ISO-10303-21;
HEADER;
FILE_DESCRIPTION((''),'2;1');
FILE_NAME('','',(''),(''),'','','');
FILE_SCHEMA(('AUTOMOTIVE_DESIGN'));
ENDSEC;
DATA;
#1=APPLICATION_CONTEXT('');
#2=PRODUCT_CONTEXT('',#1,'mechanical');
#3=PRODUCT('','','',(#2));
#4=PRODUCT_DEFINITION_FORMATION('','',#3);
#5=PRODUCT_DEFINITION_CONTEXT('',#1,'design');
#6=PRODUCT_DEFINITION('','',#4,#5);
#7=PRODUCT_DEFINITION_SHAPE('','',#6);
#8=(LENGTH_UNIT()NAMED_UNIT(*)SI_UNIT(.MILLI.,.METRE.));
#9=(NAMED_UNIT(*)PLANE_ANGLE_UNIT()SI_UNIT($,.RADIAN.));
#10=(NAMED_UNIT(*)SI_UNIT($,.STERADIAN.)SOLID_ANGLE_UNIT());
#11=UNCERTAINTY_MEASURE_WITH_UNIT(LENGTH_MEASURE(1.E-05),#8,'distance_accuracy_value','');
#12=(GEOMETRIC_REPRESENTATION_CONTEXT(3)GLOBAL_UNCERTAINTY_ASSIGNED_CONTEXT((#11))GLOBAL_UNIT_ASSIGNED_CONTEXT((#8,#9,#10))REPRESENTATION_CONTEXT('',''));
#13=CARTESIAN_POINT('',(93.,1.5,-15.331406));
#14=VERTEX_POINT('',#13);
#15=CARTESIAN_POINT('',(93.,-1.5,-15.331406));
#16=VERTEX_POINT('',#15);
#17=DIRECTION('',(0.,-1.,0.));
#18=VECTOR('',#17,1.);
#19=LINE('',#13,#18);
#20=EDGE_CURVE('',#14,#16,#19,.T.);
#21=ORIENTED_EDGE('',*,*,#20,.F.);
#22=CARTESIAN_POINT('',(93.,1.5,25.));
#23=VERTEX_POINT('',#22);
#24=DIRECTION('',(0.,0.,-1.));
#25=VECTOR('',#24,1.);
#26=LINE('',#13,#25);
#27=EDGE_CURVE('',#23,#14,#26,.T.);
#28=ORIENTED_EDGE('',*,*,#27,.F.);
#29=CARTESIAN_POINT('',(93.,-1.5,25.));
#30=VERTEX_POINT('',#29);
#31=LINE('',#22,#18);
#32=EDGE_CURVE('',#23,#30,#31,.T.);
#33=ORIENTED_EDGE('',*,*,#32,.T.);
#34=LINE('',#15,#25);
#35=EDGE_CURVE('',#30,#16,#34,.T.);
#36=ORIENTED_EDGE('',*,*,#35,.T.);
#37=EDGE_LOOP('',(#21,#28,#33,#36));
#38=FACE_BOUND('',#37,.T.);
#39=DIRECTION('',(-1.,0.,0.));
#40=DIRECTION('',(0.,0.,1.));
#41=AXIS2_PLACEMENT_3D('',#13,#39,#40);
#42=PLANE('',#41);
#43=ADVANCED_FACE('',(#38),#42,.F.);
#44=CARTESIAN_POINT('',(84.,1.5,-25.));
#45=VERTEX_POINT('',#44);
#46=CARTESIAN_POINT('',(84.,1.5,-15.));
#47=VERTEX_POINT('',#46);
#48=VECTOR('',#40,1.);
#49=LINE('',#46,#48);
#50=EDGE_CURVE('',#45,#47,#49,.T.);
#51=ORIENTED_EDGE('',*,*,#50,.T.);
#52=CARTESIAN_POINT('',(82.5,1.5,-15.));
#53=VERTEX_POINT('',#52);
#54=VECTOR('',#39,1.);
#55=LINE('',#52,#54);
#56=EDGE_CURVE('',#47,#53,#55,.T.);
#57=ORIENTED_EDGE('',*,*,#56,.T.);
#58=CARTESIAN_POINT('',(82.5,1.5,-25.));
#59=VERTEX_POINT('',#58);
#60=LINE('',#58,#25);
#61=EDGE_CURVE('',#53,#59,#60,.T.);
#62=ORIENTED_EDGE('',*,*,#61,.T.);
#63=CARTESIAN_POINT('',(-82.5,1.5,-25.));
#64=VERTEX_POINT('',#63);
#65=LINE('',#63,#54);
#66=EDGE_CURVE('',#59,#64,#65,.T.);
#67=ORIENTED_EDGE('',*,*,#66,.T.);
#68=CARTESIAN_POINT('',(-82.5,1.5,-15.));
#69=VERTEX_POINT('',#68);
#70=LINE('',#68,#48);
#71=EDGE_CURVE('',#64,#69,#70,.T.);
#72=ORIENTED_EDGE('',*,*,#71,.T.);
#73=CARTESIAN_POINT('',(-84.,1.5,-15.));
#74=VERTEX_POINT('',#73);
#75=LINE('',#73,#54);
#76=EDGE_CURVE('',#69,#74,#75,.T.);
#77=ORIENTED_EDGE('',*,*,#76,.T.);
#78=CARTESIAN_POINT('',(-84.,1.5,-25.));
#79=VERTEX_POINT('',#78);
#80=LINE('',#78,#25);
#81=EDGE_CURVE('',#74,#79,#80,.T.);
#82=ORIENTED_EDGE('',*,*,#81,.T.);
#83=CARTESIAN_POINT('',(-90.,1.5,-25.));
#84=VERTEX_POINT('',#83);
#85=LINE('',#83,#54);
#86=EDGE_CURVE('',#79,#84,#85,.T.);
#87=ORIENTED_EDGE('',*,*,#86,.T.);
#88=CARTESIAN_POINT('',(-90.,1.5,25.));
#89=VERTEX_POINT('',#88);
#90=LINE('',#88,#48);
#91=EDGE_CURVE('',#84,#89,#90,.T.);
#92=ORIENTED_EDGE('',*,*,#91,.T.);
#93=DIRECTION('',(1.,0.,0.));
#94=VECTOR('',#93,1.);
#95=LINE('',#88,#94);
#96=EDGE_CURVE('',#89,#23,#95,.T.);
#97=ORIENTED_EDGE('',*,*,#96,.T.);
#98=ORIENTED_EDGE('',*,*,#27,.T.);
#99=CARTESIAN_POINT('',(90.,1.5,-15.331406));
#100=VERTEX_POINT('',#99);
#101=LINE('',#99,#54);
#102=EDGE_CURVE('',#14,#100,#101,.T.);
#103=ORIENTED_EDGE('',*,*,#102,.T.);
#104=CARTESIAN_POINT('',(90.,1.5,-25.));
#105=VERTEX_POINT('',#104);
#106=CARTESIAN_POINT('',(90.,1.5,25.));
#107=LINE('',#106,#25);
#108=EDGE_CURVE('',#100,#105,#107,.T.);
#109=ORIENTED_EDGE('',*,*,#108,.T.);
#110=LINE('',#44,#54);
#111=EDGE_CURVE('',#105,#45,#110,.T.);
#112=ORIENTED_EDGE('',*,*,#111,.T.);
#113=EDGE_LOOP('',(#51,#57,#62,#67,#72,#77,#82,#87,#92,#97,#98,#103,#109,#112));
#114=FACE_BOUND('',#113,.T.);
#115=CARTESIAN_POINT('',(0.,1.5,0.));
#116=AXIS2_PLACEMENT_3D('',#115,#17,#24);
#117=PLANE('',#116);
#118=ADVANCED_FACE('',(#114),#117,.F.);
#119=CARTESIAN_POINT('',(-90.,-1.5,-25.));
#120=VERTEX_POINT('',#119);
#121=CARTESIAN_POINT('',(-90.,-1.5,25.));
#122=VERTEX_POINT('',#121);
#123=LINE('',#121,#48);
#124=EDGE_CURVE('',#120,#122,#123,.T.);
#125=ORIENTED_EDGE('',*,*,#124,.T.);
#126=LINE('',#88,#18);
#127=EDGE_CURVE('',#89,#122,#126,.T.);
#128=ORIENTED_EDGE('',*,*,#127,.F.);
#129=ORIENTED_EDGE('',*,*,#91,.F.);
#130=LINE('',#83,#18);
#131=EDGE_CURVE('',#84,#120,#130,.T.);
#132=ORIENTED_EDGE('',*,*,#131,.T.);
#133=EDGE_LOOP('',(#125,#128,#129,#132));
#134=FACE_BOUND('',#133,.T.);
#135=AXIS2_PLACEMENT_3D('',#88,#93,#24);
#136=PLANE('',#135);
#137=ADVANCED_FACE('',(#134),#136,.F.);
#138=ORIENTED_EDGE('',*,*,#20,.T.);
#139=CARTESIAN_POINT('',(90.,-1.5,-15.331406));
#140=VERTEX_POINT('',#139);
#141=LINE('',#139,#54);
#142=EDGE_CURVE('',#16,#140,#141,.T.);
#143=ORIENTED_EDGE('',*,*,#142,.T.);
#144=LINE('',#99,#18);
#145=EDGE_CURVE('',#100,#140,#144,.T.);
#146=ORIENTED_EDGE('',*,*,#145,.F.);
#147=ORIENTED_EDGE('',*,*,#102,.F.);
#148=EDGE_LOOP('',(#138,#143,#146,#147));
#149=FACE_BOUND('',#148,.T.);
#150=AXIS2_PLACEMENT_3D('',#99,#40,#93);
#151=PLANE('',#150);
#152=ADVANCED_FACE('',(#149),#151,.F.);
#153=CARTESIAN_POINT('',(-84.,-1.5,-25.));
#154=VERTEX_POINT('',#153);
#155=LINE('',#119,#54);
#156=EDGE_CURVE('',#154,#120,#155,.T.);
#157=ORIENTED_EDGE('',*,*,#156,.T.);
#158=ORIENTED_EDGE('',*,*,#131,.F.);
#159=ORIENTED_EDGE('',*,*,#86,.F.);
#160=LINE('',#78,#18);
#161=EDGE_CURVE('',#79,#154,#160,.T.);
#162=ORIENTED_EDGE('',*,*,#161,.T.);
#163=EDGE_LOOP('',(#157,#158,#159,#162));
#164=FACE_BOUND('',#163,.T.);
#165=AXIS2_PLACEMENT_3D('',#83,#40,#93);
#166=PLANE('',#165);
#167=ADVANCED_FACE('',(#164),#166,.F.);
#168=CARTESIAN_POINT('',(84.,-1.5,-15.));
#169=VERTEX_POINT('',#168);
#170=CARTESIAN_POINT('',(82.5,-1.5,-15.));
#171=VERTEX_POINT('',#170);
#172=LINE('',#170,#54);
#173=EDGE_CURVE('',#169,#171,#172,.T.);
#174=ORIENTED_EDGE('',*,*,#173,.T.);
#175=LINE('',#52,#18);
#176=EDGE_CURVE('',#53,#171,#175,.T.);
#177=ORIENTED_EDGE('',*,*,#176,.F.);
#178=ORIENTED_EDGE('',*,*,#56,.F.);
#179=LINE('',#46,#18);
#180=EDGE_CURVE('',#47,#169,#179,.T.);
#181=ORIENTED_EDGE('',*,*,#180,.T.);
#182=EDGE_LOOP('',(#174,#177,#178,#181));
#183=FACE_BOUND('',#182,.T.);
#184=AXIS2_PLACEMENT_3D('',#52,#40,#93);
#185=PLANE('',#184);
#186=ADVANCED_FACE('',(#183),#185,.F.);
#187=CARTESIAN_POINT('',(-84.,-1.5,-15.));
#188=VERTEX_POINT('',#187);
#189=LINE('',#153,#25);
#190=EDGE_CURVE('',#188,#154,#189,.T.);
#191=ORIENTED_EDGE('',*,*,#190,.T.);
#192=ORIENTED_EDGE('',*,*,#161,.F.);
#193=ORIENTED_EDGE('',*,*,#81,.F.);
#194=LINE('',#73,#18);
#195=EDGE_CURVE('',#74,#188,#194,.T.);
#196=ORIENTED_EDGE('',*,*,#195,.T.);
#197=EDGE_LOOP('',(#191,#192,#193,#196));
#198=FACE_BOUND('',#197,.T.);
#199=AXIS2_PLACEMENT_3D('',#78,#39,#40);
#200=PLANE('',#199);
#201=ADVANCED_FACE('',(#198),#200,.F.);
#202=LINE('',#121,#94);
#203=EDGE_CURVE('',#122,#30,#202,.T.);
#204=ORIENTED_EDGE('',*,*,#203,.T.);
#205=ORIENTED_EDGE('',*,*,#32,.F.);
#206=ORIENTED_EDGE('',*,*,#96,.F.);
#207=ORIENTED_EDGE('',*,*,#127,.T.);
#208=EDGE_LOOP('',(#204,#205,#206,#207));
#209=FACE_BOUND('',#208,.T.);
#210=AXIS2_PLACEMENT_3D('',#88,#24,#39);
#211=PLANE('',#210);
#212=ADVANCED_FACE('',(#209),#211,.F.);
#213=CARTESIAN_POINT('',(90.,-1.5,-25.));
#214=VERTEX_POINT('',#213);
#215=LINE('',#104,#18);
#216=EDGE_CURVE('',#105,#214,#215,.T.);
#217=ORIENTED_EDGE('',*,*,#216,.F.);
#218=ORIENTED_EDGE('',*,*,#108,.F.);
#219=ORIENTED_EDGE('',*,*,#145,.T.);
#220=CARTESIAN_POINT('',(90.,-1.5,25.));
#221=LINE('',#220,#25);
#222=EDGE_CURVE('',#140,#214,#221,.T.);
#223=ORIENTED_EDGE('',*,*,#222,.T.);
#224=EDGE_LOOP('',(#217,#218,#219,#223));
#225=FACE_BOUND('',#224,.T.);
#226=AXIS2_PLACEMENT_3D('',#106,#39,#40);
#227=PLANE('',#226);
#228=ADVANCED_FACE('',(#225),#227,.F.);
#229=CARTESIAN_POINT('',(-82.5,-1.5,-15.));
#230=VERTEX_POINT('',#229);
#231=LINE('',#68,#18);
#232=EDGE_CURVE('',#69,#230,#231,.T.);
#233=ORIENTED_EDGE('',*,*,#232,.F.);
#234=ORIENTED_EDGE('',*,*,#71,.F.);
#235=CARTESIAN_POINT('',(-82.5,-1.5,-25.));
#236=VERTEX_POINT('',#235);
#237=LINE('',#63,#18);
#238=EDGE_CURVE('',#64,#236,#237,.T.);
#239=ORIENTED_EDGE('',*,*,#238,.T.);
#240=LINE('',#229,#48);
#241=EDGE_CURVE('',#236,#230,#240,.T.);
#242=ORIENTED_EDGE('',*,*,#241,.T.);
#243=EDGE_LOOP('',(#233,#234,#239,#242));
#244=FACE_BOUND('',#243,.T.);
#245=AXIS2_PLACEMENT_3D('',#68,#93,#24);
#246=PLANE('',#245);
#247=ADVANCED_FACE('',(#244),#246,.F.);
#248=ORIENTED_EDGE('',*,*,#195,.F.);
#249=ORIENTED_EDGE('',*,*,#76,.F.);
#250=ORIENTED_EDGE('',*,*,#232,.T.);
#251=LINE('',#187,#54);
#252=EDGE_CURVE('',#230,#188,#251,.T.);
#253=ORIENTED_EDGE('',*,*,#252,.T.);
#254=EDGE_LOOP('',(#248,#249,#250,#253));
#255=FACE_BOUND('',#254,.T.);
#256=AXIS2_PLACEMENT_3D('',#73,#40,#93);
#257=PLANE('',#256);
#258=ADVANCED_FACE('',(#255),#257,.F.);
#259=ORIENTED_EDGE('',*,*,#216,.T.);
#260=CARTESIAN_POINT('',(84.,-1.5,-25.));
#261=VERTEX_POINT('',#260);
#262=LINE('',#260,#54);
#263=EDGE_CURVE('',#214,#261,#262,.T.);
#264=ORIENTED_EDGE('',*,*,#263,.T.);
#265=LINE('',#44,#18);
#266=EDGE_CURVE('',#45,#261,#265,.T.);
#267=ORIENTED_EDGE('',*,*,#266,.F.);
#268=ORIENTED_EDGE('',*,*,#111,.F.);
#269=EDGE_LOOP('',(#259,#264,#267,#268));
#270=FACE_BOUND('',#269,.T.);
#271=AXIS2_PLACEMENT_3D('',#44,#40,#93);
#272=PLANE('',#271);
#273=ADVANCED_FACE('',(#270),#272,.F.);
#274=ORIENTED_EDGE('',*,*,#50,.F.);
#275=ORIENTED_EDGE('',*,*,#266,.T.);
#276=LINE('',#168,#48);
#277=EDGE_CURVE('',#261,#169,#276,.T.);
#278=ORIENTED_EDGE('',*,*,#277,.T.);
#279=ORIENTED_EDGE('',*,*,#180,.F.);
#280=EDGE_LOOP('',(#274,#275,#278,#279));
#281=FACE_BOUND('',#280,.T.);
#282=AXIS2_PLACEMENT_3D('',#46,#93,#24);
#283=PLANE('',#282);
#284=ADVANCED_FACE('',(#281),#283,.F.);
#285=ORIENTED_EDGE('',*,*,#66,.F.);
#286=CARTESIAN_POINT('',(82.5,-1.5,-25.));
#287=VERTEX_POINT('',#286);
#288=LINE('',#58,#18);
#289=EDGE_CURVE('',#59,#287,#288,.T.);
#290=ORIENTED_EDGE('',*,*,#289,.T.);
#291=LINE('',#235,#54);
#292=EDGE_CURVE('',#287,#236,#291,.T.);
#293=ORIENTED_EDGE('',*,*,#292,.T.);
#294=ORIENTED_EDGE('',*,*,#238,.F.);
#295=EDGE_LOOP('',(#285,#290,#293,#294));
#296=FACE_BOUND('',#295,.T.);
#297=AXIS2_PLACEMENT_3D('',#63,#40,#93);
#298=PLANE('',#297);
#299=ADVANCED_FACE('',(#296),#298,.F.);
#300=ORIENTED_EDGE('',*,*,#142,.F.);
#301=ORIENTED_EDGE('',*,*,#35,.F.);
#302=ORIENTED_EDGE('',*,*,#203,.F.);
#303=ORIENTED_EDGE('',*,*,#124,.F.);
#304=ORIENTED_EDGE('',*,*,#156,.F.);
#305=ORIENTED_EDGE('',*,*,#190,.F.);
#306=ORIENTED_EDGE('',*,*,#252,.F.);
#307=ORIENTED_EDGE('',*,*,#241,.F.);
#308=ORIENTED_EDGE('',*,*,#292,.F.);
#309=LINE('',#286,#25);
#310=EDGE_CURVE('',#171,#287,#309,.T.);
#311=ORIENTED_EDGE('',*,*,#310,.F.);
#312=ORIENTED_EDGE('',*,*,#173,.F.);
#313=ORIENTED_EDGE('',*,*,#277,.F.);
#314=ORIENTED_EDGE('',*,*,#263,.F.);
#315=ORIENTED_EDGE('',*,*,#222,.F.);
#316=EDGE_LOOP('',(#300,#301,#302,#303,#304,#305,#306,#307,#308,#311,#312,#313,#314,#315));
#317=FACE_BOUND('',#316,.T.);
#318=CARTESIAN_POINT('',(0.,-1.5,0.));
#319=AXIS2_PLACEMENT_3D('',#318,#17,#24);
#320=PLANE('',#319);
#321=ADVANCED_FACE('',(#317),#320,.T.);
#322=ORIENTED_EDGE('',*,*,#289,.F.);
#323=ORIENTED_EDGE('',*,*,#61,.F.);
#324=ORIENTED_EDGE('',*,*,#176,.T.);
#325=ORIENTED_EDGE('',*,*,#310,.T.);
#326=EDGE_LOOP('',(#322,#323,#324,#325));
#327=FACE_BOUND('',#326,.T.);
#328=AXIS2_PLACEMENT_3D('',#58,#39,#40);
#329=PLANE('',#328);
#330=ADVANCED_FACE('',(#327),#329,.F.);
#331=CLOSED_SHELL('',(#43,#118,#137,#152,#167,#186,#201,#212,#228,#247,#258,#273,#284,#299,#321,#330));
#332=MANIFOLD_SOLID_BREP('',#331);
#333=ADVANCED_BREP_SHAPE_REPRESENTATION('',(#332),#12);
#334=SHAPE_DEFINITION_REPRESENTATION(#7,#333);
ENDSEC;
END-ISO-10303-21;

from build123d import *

# Parameters (mm, degrees)
BOSS_EXTRUDE1_DEPTH = 1.5
SKETCH2_W           = 3
SKETCH2_H           = 40.331406252
BOSS_EXTRUDE2_DEPTH = 1.5


with BuildPart() as part:
    # Sketch1 → Boss-Extrude1 (new, symmetric)
    with BuildSketch(Plane(origin=(0, 0, 0), x_dir=(1, 0, 0), z_dir=(0, 1, 0))):
        Polygon((-84, 25), (-84, 15), (-82.5, 15), (-82.5, 25), (82.5, 25), (82.5, 15), (84, 15), (84, 25), (90, 25), (90, -25), (-90, -25), (-90, 25), align=None)
    extrude(amount=BOSS_EXTRUDE1_DEPTH, both=True)

    # Sketch2 → Boss-Extrude2 (add, symmetric)
    with BuildSketch(Plane(origin=(0, 0, 0), x_dir=(1, 0, 0), z_dir=(0, 1, 0))):
        with Locations((91.5, -4.834296874)):
            Rectangle(SKETCH2_W, SKETCH2_H)
    extrude(amount=BOSS_EXTRUDE2_DEPTH, both=True)


solid = part.part
